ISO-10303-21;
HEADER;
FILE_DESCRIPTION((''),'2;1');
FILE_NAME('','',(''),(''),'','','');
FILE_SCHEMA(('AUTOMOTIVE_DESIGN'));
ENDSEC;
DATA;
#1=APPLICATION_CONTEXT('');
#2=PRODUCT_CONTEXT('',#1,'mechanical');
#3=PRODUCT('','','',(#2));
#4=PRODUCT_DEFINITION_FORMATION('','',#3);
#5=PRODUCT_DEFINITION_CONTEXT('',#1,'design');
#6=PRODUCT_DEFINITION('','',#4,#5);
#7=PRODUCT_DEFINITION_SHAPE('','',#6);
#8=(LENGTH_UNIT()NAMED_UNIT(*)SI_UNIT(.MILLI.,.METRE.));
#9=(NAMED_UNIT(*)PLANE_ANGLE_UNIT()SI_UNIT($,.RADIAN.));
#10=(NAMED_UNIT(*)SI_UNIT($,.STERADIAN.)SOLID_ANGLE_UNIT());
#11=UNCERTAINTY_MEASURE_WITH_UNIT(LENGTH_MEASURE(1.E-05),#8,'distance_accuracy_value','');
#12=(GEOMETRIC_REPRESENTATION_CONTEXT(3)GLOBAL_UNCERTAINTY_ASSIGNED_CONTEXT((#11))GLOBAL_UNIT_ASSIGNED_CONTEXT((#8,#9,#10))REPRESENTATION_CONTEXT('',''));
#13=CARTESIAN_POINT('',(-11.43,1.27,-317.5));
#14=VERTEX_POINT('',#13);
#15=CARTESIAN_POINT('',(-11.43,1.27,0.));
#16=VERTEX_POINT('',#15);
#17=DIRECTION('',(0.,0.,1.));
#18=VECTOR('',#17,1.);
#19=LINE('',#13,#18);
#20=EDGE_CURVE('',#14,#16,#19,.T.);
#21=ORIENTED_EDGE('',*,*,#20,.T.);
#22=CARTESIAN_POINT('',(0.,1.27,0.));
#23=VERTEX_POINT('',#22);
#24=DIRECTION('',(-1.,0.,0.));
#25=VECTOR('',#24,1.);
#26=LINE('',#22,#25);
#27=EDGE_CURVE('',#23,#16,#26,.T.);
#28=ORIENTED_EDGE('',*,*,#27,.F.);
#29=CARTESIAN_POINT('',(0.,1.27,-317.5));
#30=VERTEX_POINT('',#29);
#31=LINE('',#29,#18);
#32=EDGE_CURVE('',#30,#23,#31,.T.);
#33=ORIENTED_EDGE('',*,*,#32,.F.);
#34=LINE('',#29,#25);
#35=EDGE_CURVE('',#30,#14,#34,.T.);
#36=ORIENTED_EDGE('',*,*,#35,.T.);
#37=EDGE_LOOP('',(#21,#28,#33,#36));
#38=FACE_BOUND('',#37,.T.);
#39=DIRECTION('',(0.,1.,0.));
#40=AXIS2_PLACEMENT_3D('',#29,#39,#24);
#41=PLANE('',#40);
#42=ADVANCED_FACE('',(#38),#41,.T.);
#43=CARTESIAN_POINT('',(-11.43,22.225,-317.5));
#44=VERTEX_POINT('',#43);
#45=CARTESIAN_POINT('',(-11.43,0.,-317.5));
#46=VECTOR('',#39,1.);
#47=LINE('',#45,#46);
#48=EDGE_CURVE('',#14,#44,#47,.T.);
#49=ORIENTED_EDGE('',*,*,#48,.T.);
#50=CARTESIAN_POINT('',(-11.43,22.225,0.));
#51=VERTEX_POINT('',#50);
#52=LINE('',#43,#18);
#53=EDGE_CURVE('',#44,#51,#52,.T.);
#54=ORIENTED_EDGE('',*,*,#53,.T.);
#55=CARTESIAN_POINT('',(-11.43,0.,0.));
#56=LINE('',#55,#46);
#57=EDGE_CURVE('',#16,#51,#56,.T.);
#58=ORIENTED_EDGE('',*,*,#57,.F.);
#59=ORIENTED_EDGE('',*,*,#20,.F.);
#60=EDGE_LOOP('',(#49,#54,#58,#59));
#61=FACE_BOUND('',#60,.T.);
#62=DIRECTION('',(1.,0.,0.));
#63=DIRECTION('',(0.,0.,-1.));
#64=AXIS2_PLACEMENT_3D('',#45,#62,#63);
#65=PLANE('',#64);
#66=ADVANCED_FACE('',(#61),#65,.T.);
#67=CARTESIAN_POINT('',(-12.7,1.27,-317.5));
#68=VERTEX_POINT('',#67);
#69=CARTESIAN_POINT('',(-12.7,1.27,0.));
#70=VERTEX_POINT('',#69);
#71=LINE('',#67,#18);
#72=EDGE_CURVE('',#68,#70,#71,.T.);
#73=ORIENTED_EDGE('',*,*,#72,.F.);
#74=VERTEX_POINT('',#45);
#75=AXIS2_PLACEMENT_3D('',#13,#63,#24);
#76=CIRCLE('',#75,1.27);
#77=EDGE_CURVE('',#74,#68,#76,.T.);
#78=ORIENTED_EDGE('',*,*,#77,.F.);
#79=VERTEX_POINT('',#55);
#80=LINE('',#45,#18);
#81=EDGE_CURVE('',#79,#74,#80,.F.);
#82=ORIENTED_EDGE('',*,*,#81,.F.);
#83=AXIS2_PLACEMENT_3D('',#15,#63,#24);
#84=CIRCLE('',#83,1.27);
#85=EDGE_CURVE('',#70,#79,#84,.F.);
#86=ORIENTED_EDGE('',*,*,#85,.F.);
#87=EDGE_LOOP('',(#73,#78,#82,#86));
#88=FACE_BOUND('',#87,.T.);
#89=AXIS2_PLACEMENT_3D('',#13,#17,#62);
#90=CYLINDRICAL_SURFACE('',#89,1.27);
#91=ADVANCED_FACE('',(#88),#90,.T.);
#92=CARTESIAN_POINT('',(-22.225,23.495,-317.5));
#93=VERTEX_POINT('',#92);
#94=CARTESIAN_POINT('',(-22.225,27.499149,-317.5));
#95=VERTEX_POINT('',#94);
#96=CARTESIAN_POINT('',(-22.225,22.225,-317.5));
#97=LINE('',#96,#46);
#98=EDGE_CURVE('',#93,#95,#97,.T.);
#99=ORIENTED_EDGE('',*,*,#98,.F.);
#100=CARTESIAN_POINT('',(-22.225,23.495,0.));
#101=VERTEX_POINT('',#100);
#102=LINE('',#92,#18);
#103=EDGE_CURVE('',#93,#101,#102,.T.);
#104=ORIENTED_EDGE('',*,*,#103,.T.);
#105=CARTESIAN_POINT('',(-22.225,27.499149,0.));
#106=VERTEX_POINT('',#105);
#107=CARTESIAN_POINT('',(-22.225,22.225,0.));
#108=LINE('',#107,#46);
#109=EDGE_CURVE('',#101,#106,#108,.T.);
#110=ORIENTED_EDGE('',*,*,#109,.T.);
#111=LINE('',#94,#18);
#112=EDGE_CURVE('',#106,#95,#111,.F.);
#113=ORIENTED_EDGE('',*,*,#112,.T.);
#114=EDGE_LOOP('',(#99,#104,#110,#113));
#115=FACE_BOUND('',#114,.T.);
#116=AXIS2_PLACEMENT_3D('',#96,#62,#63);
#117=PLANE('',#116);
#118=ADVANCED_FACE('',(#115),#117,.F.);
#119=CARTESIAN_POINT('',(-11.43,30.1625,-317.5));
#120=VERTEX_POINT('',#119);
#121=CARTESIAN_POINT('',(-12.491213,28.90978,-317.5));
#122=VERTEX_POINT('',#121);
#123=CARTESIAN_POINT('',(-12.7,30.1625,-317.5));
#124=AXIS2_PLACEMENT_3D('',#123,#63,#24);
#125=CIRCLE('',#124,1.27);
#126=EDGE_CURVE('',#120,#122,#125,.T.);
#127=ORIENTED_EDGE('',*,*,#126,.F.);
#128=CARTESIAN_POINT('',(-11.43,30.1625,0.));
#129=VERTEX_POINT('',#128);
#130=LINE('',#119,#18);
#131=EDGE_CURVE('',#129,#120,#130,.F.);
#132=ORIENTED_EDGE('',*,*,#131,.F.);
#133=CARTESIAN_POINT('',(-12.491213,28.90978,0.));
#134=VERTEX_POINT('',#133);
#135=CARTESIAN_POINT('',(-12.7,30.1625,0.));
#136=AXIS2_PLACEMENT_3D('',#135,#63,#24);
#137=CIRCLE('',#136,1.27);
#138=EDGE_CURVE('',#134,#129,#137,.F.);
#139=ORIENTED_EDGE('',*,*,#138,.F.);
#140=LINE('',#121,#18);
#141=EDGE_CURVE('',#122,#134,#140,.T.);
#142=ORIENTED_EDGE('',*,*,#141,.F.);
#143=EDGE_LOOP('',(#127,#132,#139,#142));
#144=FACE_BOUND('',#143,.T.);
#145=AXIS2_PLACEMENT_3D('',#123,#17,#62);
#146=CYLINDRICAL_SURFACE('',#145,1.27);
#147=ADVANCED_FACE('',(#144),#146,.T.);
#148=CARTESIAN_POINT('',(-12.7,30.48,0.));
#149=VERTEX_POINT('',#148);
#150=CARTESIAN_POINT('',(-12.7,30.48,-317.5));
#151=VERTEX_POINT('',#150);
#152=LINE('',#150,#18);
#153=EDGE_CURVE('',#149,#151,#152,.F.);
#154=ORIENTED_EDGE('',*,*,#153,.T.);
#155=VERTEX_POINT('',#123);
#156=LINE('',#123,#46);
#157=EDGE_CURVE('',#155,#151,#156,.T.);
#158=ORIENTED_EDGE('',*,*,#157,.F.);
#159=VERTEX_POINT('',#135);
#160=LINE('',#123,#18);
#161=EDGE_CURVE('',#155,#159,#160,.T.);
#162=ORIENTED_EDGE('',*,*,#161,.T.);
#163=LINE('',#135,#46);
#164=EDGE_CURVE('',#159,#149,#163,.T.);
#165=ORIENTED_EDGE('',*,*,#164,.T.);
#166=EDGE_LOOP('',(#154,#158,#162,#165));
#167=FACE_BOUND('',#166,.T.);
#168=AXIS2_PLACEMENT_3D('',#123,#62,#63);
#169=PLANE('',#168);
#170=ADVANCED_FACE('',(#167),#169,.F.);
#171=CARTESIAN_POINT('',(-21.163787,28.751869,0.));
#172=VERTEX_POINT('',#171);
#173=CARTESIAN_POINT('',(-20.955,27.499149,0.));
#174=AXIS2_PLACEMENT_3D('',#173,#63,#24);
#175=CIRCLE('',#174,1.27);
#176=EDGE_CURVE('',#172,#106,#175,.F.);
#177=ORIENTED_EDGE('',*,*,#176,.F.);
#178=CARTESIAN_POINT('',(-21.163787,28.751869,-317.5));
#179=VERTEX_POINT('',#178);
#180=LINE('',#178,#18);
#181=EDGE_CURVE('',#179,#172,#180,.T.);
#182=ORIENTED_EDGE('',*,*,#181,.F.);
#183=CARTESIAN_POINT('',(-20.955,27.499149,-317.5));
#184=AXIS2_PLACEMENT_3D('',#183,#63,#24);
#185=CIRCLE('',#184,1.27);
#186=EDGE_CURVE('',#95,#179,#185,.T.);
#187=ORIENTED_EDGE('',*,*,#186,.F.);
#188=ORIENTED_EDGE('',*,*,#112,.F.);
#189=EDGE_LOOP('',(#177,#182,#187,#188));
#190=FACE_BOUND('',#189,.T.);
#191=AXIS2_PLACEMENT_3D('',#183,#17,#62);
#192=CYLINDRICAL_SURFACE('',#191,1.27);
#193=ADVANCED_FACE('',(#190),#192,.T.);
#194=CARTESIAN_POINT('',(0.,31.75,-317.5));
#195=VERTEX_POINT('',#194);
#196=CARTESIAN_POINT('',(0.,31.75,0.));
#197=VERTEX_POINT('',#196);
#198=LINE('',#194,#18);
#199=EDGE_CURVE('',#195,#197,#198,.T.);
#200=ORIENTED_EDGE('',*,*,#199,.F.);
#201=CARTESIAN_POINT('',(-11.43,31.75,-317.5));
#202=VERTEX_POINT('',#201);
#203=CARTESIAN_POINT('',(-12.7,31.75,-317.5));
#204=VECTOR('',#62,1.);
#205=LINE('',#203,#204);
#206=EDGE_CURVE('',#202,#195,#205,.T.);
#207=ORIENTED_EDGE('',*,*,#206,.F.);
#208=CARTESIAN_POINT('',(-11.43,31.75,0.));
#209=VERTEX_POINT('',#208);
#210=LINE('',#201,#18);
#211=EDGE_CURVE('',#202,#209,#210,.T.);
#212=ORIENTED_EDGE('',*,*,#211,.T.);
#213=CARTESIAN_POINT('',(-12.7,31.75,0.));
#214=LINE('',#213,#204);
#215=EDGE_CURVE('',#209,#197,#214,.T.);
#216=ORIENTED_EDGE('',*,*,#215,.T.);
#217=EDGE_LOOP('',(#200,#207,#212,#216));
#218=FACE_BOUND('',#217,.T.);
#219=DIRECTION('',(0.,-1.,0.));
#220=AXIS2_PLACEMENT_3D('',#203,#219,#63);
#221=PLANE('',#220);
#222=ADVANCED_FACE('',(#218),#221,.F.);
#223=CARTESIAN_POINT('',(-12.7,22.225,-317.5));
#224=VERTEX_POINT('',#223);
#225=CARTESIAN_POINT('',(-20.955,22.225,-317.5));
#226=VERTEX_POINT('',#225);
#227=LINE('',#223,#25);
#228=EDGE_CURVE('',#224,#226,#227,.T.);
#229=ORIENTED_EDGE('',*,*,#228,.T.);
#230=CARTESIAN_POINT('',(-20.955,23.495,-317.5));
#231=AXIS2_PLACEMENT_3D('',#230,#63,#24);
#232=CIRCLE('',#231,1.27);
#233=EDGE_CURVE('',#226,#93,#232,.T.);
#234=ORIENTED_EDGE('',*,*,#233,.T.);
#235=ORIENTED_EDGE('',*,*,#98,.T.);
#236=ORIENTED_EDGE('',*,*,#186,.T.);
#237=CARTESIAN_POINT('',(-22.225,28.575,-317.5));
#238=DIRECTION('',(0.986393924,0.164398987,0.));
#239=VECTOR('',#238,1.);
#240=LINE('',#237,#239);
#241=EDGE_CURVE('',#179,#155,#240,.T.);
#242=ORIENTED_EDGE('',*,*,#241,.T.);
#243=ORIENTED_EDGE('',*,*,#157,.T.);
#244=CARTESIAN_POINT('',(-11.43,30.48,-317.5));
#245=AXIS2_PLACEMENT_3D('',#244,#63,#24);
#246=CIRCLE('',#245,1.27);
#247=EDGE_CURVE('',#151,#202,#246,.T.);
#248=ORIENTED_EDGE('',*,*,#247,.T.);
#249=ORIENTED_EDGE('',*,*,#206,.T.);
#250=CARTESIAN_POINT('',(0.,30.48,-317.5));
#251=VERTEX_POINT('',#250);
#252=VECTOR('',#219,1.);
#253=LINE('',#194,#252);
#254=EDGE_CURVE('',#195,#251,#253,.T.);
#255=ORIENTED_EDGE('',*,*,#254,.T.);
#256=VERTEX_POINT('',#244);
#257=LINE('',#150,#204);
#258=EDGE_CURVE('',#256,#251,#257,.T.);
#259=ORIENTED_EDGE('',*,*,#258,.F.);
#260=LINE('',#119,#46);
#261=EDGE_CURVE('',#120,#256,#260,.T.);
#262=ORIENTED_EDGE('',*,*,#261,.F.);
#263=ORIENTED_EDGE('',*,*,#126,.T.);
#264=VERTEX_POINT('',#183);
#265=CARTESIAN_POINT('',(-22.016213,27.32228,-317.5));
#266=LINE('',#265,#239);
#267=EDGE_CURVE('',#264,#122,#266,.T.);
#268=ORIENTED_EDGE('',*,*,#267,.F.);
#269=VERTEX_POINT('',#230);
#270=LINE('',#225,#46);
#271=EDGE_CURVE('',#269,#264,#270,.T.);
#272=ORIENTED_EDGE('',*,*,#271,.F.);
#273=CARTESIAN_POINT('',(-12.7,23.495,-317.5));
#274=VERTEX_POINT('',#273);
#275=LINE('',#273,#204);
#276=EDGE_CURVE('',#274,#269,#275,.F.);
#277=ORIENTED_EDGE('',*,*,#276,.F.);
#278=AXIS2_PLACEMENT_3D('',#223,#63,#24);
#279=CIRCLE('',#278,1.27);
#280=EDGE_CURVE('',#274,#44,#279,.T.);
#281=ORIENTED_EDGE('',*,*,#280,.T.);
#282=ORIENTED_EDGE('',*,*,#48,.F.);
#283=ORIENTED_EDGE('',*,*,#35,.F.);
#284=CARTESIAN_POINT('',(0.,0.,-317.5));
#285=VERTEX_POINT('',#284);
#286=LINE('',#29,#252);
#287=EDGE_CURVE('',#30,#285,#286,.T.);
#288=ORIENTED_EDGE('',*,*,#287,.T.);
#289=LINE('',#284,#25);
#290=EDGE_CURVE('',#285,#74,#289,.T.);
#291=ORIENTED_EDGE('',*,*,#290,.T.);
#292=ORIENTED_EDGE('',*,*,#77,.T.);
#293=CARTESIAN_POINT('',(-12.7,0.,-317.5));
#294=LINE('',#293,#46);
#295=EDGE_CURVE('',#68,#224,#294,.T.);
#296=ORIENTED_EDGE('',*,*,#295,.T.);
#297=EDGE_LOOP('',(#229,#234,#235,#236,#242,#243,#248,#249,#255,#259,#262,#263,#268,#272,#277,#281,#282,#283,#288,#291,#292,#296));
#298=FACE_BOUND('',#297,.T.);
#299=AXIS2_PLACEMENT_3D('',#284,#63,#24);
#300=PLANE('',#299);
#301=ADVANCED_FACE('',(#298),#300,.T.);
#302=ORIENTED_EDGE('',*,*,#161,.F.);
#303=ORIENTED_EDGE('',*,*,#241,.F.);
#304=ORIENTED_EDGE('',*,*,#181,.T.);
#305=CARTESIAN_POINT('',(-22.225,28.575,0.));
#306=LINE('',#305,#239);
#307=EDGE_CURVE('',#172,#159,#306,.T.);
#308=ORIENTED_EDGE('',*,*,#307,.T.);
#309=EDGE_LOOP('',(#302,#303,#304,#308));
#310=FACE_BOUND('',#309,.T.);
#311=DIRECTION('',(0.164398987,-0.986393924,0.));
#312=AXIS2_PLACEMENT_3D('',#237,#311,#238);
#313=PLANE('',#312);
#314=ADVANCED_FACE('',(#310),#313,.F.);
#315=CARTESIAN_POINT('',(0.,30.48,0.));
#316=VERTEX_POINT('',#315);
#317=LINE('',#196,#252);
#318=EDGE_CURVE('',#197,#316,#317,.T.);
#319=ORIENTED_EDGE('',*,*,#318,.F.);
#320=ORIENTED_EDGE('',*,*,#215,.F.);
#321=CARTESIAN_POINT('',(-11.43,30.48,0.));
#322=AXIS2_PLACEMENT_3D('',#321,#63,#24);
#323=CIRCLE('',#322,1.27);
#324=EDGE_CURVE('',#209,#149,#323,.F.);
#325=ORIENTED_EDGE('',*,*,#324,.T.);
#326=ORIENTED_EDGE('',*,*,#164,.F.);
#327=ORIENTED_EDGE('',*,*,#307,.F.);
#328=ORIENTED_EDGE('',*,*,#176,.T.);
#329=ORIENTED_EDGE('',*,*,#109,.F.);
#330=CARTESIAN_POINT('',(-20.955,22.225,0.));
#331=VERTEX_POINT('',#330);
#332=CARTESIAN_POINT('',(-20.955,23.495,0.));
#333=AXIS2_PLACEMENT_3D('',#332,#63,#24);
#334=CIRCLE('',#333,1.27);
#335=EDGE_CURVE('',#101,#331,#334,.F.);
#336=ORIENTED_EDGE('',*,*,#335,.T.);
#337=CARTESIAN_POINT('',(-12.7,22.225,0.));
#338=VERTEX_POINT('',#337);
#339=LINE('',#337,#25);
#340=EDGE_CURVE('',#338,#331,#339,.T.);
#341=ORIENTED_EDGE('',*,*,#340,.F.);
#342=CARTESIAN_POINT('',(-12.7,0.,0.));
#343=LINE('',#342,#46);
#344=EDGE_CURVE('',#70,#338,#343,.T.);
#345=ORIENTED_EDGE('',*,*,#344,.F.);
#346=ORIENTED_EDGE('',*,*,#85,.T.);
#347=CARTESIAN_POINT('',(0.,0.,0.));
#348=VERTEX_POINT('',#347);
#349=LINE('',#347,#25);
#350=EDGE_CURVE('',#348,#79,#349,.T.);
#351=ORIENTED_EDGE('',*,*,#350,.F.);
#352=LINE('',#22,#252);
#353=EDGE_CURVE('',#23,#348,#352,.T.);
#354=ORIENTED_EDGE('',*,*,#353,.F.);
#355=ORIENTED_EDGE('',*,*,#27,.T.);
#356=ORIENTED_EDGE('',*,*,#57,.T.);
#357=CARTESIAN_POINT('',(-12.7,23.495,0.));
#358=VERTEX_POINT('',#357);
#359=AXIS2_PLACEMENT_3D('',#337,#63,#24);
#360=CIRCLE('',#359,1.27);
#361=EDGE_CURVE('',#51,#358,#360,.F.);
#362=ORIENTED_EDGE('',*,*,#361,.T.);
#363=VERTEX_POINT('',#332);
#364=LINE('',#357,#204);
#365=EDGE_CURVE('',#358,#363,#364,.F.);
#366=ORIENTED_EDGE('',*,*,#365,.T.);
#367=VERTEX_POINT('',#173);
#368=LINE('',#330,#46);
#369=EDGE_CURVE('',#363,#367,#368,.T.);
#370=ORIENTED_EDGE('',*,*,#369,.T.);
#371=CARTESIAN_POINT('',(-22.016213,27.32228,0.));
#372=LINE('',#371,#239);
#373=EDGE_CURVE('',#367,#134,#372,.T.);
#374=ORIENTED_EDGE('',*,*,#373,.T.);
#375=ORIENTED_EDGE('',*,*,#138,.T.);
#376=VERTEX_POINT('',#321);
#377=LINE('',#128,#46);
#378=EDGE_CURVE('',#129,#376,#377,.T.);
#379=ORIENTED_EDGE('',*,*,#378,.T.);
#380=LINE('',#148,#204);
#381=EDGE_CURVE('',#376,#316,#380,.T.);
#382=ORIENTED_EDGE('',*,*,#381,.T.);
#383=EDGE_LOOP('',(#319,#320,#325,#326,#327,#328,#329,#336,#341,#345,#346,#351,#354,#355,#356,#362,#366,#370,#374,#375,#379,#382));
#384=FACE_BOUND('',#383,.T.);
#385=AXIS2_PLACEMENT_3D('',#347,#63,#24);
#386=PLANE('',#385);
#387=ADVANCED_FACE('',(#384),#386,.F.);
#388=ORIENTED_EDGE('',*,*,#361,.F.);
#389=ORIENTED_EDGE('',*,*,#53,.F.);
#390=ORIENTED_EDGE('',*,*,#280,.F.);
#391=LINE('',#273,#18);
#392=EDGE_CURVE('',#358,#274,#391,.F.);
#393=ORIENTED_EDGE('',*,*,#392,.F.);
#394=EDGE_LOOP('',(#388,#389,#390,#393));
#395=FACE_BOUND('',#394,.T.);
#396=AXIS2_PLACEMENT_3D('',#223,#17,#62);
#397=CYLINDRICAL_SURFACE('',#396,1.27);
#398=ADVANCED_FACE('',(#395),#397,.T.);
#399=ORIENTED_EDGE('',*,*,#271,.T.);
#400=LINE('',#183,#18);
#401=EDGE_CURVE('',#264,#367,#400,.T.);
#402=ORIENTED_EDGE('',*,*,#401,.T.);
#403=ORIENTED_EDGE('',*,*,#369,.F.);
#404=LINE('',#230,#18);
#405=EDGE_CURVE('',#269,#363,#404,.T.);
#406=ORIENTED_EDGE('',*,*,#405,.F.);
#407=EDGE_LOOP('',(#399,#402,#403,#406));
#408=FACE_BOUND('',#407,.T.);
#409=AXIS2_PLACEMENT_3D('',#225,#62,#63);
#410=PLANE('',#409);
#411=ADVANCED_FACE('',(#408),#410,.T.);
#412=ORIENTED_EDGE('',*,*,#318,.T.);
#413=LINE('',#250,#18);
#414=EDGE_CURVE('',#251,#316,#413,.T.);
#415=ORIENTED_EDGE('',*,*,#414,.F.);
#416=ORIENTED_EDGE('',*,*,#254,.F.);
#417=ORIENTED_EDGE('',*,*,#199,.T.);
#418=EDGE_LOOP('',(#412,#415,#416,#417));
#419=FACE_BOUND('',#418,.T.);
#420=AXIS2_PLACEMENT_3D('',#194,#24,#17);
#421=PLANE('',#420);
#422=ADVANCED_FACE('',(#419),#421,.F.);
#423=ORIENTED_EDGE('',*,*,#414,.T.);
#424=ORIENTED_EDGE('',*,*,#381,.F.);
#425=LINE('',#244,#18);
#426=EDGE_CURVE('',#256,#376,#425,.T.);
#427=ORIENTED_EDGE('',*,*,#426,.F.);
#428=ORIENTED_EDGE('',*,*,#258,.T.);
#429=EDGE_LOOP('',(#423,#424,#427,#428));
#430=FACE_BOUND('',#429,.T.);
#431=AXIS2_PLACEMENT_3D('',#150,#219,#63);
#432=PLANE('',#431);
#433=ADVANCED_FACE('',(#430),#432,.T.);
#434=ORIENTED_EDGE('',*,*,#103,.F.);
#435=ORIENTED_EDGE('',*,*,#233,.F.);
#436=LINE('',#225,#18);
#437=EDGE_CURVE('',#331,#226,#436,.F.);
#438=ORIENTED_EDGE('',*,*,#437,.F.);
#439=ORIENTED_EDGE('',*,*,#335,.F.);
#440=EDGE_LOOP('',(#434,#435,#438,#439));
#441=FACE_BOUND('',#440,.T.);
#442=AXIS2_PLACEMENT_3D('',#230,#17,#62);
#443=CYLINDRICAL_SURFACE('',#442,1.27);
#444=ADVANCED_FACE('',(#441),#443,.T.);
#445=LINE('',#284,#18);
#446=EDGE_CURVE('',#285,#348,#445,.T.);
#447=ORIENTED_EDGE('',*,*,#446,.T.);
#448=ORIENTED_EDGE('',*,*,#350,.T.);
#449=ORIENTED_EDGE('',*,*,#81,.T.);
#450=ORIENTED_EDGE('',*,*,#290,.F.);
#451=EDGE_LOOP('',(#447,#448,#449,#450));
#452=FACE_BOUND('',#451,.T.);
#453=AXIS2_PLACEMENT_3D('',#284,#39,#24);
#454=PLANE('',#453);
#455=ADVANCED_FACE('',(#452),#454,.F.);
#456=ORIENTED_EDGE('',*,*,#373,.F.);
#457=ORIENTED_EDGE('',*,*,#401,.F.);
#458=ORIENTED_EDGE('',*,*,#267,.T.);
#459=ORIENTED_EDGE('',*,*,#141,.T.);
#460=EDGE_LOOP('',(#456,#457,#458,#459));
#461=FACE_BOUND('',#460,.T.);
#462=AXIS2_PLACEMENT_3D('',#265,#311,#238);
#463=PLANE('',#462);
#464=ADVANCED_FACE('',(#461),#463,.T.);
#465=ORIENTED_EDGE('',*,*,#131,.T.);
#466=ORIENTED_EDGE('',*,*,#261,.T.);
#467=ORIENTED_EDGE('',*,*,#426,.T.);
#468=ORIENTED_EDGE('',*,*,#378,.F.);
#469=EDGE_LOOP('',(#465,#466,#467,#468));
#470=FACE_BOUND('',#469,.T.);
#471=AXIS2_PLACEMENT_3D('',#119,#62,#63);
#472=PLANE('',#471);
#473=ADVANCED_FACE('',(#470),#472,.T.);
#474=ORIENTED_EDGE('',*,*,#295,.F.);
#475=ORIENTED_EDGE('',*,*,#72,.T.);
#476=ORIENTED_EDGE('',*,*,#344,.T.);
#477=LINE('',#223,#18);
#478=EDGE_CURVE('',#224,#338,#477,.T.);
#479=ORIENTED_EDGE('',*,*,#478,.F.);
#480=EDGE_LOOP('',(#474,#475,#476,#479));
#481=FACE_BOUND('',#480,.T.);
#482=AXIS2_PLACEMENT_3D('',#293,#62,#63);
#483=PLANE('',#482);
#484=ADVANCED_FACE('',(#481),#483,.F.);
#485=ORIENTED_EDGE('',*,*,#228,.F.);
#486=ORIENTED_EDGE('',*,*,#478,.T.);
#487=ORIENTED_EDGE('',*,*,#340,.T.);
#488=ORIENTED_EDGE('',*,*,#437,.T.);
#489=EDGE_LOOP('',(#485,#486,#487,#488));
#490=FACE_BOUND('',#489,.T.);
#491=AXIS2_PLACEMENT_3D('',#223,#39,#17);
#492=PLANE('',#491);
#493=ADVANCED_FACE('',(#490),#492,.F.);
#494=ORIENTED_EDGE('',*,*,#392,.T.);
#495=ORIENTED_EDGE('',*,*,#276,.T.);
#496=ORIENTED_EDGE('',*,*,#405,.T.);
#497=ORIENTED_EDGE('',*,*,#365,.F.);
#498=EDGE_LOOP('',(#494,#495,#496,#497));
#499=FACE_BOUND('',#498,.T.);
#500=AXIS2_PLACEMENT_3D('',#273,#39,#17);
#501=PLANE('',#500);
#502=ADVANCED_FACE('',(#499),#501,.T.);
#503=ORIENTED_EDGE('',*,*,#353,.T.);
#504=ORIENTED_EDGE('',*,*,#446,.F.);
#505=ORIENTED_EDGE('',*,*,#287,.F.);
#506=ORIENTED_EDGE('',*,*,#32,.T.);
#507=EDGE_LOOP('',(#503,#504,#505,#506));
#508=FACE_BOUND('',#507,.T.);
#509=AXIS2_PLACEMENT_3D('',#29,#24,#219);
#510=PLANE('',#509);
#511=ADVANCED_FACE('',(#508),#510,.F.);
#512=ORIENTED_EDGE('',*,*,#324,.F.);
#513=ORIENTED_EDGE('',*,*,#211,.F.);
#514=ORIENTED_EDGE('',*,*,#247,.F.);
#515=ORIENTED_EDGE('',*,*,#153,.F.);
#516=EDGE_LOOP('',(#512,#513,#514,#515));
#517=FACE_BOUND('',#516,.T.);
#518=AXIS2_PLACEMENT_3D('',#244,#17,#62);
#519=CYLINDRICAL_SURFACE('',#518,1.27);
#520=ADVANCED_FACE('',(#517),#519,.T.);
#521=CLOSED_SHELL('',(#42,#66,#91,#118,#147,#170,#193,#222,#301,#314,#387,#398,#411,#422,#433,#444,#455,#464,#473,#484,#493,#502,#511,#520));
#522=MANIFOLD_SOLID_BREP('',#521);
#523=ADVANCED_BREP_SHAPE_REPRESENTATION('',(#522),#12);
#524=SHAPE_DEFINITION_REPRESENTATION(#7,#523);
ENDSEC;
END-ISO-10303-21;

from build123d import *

# Parameters (mm, degrees)
EXTRUDE_THIN1_DEPTH = 317.5
FILLET1_R           = 1.27


with BuildPart() as part:
    # Sketch1 → Extrude-Thin1 (new body)
    with BuildSketch(Plane.XY):
        Polygon((0, 0), (-12.7, 0), (-12.7, 22.225), (-22.225, 22.225), (-22.225, 28.575), (-12.7, 30.1625), (-12.7, 31.75), (0, 31.75), (0, 30.48), (-11.43, 30.48), (-11.43, 29.086648598), (-20.955, 27.499148598), (-20.955, 23.495), (-11.43, 23.495), (-11.43, 1.27), (0, 1.27), align=None)
    extrude(amount=-EXTRUDE_THIN1_DEPTH)

    # Fillet1
    fillet1_edges = [part.edges().sort_by_distance(p)[0] for p in [
        (-11.43, 29.086648598, -158.75),
        (-11.43, 23.495, -158.75),
        (-12.7, 0, -158.75),
        (-22.225, 22.225, -158.75),
        (-22.225, 28.575, -158.75),
        (-12.7, 31.75, -158.75),
    ]]
    fillet(fillet1_edges, radius=FILLET1_R)


solid = part.part
